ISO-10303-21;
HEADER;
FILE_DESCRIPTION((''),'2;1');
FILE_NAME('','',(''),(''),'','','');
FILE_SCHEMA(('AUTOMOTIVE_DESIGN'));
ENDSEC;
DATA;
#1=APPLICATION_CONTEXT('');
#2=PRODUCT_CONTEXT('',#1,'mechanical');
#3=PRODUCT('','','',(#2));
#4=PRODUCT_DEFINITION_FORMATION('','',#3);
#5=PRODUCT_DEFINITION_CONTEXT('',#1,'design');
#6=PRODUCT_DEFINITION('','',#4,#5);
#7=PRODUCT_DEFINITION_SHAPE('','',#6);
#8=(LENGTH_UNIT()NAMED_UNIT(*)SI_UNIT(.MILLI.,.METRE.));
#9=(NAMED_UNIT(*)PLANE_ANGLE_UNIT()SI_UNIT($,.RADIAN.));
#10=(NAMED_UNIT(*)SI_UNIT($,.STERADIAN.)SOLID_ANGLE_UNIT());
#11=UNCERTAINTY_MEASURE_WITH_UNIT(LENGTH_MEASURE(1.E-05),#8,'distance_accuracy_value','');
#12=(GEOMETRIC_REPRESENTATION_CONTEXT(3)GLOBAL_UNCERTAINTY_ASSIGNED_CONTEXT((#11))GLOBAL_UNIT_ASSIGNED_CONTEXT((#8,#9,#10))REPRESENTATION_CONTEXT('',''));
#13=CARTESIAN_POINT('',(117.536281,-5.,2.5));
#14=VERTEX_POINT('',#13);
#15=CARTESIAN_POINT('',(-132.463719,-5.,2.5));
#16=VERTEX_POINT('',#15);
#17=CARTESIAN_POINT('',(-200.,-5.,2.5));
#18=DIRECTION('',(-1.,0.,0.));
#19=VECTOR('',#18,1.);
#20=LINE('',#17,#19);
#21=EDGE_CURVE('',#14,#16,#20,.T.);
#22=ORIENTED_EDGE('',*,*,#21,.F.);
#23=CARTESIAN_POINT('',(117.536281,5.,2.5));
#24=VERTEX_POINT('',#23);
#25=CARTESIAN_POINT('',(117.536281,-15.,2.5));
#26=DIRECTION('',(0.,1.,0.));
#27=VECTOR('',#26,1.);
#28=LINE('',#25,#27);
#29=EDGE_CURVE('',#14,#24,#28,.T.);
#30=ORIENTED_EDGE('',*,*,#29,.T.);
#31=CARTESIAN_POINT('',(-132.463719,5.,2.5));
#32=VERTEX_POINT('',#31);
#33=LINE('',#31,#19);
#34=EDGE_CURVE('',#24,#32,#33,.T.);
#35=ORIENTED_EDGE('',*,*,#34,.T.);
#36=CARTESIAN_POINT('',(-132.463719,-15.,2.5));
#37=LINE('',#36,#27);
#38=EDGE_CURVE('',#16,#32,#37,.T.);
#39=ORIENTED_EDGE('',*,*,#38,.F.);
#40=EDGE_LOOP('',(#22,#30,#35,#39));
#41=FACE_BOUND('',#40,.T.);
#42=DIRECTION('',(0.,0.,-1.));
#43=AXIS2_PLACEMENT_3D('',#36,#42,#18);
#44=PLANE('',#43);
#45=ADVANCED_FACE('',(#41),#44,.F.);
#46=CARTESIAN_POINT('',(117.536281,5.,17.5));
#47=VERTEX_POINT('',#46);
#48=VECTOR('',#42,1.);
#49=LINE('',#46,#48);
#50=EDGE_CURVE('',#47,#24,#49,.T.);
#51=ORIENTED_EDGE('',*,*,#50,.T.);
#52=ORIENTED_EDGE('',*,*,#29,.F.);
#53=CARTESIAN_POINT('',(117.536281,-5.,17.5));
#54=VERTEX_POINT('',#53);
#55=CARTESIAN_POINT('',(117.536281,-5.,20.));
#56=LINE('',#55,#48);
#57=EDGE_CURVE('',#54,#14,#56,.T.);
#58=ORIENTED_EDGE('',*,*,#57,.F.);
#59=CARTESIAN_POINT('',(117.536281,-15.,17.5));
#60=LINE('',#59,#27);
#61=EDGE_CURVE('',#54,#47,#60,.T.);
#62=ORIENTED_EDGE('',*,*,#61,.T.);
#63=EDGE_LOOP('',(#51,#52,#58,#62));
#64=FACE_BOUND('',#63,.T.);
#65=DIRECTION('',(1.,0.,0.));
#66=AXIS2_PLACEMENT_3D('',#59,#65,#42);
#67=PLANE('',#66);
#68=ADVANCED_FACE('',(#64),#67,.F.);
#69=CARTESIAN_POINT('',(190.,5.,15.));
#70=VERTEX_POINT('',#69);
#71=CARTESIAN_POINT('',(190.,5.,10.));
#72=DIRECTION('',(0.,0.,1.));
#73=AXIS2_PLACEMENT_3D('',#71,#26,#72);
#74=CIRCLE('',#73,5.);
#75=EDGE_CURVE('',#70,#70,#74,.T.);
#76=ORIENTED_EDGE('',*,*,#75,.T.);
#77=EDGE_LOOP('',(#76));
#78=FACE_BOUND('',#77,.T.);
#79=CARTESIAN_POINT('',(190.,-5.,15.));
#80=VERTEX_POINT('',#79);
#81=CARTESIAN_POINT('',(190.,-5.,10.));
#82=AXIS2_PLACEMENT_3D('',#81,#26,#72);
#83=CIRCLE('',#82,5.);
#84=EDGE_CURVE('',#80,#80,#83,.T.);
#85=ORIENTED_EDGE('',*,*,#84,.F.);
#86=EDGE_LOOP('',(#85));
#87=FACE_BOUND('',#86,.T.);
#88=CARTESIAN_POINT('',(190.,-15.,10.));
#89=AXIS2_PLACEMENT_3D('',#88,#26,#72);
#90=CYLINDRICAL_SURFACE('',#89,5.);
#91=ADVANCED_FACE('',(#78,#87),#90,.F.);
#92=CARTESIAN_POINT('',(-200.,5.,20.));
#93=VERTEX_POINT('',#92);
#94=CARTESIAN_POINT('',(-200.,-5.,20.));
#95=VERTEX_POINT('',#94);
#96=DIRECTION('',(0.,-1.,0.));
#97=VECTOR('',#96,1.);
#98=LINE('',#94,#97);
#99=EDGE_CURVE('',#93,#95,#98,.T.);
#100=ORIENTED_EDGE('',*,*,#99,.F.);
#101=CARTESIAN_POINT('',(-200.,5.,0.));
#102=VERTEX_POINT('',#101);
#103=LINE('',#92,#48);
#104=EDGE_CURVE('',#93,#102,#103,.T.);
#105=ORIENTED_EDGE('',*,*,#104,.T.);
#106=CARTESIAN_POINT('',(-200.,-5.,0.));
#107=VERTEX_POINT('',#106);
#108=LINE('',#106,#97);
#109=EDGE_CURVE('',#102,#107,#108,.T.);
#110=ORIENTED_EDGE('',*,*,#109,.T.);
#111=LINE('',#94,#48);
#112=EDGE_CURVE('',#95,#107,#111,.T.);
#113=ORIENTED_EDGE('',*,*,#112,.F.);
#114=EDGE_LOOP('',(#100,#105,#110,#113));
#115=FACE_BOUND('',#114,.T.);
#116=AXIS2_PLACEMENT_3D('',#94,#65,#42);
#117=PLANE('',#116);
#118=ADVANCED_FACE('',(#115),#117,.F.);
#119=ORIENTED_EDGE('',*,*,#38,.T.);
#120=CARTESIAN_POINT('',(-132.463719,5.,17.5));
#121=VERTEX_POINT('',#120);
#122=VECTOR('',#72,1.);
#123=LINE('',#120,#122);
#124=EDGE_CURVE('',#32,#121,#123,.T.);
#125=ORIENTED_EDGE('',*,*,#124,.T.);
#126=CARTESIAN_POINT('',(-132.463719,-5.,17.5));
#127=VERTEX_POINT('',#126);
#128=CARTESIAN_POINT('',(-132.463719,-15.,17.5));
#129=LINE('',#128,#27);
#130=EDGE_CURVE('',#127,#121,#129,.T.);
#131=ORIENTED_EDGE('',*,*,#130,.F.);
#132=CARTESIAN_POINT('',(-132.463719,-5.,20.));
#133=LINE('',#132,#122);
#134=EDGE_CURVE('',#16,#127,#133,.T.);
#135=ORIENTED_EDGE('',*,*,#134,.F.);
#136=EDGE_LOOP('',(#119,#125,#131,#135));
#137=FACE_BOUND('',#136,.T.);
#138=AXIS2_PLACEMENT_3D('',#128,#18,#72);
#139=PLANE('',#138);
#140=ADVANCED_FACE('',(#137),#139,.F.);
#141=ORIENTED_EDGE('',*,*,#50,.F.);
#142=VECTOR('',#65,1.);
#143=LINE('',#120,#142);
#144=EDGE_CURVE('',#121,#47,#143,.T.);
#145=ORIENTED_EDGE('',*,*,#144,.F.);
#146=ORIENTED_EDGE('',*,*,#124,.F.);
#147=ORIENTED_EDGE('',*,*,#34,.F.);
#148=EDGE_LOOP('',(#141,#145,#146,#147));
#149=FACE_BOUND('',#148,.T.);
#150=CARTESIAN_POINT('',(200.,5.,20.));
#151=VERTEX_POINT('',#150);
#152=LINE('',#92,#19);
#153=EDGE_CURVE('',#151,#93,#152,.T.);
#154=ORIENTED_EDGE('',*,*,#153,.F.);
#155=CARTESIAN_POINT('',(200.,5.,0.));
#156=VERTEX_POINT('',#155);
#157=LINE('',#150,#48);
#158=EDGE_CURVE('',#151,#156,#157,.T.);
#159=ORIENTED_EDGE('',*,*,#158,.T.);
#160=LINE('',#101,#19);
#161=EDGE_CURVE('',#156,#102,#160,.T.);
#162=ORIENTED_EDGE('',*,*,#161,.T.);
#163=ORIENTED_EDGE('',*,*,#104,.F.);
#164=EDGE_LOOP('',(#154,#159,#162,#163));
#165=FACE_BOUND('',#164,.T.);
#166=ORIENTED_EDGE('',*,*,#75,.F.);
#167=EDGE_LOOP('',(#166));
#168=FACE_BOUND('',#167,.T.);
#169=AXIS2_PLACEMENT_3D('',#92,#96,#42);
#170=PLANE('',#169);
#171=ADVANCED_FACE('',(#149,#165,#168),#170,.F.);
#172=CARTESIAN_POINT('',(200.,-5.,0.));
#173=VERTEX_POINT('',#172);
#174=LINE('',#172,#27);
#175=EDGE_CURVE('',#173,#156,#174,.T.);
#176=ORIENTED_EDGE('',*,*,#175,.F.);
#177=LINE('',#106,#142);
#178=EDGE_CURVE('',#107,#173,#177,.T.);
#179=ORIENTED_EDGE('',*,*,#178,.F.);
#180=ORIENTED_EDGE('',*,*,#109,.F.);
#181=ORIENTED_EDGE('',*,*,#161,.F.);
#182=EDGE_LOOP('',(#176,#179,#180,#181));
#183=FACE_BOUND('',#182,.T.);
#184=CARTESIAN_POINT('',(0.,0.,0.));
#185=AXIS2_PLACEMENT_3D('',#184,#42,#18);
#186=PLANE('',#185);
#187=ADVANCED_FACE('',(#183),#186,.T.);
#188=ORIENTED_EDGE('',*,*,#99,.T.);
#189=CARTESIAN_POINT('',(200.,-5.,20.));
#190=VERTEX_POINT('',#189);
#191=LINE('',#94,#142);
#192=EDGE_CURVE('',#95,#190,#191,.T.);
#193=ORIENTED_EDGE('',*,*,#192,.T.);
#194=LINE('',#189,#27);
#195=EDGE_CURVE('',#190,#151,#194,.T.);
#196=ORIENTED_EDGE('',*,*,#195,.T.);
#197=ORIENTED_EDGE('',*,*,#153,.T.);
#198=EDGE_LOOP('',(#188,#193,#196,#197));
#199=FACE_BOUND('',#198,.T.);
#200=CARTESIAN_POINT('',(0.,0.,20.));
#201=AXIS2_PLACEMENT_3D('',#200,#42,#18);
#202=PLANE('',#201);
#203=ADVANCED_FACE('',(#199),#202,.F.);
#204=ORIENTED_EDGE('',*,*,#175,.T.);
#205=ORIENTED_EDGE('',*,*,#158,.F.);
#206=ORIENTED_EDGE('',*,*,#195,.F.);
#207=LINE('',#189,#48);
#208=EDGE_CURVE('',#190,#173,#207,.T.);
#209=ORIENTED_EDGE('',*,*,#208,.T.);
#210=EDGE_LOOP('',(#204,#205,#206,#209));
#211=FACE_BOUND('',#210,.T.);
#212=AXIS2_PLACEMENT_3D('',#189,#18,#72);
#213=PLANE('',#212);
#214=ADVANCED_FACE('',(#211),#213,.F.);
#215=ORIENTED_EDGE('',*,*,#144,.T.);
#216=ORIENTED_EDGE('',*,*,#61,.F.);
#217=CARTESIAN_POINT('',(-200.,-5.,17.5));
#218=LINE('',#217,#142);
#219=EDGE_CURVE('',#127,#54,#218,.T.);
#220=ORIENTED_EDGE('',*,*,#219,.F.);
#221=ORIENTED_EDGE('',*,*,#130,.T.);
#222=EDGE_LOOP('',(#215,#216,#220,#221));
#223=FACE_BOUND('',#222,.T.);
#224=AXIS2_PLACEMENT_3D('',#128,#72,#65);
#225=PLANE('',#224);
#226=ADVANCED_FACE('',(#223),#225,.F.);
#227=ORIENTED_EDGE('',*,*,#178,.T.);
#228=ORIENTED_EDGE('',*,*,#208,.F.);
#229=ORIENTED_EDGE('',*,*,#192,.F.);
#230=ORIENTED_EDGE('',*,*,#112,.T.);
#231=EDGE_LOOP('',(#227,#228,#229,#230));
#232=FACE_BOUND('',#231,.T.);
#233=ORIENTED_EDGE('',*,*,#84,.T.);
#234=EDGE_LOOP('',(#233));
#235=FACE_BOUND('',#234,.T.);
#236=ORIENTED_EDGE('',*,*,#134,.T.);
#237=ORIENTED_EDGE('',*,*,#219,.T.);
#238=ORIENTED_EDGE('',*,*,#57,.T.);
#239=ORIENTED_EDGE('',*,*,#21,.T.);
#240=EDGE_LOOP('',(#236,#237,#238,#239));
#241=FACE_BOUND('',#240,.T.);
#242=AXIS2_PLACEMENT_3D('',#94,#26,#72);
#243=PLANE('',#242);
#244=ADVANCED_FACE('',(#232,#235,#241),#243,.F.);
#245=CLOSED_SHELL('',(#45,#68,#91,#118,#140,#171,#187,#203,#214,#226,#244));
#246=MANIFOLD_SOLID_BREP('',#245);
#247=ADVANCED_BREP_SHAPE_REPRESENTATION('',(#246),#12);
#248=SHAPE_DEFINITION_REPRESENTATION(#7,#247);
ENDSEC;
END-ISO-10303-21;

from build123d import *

# Parameters (mm, degrees)
SKETCH_1_W          = 400
SKETCH_1_H          = 10
EXTRUDE_1_DEPTH     = 20
SKETCH_2_W          = 250
SKETCH_2_H          = 15
CUT_EXTRUDE_1_DEPTH = 20
SKETCH_4_R          = 5
CUT_EXTRUDE_3_DEPTH = 20


with BuildPart() as part:
    # Эскиз1 → Бобышка-Вытянуть1 (new body)
    with BuildSketch(Plane.XY):
        Rectangle(SKETCH_1_W, SKETCH_1_H)
    extrude(amount=EXTRUDE_1_DEPTH)

    # Эскиз2 → Вырез-Вытянуть1 (cut)
    with BuildSketch(Plane(origin=(0, 5, 0), x_dir=(1, 0, 0), z_dir=(0, 1, 0))):
        with Locations((-7.463718673, -10)):
            Rectangle(SKETCH_2_W, SKETCH_2_H)
    extrude(amount=-CUT_EXTRUDE_1_DEPTH, mode=Mode.SUBTRACT)

    # Эскиз4 → Вырез-Вытянуть3 (cut)
    with BuildSketch(Plane(origin=(0, 5, 0), x_dir=(1, 0, 0), z_dir=(0, 1, 0))):
        with Locations(Location((190, -10, 0), (0, 0, 270))):
            Circle(SKETCH_4_R)
    extrude(amount=-CUT_EXTRUDE_3_DEPTH, mode=Mode.SUBTRACT)


solid = part.part
